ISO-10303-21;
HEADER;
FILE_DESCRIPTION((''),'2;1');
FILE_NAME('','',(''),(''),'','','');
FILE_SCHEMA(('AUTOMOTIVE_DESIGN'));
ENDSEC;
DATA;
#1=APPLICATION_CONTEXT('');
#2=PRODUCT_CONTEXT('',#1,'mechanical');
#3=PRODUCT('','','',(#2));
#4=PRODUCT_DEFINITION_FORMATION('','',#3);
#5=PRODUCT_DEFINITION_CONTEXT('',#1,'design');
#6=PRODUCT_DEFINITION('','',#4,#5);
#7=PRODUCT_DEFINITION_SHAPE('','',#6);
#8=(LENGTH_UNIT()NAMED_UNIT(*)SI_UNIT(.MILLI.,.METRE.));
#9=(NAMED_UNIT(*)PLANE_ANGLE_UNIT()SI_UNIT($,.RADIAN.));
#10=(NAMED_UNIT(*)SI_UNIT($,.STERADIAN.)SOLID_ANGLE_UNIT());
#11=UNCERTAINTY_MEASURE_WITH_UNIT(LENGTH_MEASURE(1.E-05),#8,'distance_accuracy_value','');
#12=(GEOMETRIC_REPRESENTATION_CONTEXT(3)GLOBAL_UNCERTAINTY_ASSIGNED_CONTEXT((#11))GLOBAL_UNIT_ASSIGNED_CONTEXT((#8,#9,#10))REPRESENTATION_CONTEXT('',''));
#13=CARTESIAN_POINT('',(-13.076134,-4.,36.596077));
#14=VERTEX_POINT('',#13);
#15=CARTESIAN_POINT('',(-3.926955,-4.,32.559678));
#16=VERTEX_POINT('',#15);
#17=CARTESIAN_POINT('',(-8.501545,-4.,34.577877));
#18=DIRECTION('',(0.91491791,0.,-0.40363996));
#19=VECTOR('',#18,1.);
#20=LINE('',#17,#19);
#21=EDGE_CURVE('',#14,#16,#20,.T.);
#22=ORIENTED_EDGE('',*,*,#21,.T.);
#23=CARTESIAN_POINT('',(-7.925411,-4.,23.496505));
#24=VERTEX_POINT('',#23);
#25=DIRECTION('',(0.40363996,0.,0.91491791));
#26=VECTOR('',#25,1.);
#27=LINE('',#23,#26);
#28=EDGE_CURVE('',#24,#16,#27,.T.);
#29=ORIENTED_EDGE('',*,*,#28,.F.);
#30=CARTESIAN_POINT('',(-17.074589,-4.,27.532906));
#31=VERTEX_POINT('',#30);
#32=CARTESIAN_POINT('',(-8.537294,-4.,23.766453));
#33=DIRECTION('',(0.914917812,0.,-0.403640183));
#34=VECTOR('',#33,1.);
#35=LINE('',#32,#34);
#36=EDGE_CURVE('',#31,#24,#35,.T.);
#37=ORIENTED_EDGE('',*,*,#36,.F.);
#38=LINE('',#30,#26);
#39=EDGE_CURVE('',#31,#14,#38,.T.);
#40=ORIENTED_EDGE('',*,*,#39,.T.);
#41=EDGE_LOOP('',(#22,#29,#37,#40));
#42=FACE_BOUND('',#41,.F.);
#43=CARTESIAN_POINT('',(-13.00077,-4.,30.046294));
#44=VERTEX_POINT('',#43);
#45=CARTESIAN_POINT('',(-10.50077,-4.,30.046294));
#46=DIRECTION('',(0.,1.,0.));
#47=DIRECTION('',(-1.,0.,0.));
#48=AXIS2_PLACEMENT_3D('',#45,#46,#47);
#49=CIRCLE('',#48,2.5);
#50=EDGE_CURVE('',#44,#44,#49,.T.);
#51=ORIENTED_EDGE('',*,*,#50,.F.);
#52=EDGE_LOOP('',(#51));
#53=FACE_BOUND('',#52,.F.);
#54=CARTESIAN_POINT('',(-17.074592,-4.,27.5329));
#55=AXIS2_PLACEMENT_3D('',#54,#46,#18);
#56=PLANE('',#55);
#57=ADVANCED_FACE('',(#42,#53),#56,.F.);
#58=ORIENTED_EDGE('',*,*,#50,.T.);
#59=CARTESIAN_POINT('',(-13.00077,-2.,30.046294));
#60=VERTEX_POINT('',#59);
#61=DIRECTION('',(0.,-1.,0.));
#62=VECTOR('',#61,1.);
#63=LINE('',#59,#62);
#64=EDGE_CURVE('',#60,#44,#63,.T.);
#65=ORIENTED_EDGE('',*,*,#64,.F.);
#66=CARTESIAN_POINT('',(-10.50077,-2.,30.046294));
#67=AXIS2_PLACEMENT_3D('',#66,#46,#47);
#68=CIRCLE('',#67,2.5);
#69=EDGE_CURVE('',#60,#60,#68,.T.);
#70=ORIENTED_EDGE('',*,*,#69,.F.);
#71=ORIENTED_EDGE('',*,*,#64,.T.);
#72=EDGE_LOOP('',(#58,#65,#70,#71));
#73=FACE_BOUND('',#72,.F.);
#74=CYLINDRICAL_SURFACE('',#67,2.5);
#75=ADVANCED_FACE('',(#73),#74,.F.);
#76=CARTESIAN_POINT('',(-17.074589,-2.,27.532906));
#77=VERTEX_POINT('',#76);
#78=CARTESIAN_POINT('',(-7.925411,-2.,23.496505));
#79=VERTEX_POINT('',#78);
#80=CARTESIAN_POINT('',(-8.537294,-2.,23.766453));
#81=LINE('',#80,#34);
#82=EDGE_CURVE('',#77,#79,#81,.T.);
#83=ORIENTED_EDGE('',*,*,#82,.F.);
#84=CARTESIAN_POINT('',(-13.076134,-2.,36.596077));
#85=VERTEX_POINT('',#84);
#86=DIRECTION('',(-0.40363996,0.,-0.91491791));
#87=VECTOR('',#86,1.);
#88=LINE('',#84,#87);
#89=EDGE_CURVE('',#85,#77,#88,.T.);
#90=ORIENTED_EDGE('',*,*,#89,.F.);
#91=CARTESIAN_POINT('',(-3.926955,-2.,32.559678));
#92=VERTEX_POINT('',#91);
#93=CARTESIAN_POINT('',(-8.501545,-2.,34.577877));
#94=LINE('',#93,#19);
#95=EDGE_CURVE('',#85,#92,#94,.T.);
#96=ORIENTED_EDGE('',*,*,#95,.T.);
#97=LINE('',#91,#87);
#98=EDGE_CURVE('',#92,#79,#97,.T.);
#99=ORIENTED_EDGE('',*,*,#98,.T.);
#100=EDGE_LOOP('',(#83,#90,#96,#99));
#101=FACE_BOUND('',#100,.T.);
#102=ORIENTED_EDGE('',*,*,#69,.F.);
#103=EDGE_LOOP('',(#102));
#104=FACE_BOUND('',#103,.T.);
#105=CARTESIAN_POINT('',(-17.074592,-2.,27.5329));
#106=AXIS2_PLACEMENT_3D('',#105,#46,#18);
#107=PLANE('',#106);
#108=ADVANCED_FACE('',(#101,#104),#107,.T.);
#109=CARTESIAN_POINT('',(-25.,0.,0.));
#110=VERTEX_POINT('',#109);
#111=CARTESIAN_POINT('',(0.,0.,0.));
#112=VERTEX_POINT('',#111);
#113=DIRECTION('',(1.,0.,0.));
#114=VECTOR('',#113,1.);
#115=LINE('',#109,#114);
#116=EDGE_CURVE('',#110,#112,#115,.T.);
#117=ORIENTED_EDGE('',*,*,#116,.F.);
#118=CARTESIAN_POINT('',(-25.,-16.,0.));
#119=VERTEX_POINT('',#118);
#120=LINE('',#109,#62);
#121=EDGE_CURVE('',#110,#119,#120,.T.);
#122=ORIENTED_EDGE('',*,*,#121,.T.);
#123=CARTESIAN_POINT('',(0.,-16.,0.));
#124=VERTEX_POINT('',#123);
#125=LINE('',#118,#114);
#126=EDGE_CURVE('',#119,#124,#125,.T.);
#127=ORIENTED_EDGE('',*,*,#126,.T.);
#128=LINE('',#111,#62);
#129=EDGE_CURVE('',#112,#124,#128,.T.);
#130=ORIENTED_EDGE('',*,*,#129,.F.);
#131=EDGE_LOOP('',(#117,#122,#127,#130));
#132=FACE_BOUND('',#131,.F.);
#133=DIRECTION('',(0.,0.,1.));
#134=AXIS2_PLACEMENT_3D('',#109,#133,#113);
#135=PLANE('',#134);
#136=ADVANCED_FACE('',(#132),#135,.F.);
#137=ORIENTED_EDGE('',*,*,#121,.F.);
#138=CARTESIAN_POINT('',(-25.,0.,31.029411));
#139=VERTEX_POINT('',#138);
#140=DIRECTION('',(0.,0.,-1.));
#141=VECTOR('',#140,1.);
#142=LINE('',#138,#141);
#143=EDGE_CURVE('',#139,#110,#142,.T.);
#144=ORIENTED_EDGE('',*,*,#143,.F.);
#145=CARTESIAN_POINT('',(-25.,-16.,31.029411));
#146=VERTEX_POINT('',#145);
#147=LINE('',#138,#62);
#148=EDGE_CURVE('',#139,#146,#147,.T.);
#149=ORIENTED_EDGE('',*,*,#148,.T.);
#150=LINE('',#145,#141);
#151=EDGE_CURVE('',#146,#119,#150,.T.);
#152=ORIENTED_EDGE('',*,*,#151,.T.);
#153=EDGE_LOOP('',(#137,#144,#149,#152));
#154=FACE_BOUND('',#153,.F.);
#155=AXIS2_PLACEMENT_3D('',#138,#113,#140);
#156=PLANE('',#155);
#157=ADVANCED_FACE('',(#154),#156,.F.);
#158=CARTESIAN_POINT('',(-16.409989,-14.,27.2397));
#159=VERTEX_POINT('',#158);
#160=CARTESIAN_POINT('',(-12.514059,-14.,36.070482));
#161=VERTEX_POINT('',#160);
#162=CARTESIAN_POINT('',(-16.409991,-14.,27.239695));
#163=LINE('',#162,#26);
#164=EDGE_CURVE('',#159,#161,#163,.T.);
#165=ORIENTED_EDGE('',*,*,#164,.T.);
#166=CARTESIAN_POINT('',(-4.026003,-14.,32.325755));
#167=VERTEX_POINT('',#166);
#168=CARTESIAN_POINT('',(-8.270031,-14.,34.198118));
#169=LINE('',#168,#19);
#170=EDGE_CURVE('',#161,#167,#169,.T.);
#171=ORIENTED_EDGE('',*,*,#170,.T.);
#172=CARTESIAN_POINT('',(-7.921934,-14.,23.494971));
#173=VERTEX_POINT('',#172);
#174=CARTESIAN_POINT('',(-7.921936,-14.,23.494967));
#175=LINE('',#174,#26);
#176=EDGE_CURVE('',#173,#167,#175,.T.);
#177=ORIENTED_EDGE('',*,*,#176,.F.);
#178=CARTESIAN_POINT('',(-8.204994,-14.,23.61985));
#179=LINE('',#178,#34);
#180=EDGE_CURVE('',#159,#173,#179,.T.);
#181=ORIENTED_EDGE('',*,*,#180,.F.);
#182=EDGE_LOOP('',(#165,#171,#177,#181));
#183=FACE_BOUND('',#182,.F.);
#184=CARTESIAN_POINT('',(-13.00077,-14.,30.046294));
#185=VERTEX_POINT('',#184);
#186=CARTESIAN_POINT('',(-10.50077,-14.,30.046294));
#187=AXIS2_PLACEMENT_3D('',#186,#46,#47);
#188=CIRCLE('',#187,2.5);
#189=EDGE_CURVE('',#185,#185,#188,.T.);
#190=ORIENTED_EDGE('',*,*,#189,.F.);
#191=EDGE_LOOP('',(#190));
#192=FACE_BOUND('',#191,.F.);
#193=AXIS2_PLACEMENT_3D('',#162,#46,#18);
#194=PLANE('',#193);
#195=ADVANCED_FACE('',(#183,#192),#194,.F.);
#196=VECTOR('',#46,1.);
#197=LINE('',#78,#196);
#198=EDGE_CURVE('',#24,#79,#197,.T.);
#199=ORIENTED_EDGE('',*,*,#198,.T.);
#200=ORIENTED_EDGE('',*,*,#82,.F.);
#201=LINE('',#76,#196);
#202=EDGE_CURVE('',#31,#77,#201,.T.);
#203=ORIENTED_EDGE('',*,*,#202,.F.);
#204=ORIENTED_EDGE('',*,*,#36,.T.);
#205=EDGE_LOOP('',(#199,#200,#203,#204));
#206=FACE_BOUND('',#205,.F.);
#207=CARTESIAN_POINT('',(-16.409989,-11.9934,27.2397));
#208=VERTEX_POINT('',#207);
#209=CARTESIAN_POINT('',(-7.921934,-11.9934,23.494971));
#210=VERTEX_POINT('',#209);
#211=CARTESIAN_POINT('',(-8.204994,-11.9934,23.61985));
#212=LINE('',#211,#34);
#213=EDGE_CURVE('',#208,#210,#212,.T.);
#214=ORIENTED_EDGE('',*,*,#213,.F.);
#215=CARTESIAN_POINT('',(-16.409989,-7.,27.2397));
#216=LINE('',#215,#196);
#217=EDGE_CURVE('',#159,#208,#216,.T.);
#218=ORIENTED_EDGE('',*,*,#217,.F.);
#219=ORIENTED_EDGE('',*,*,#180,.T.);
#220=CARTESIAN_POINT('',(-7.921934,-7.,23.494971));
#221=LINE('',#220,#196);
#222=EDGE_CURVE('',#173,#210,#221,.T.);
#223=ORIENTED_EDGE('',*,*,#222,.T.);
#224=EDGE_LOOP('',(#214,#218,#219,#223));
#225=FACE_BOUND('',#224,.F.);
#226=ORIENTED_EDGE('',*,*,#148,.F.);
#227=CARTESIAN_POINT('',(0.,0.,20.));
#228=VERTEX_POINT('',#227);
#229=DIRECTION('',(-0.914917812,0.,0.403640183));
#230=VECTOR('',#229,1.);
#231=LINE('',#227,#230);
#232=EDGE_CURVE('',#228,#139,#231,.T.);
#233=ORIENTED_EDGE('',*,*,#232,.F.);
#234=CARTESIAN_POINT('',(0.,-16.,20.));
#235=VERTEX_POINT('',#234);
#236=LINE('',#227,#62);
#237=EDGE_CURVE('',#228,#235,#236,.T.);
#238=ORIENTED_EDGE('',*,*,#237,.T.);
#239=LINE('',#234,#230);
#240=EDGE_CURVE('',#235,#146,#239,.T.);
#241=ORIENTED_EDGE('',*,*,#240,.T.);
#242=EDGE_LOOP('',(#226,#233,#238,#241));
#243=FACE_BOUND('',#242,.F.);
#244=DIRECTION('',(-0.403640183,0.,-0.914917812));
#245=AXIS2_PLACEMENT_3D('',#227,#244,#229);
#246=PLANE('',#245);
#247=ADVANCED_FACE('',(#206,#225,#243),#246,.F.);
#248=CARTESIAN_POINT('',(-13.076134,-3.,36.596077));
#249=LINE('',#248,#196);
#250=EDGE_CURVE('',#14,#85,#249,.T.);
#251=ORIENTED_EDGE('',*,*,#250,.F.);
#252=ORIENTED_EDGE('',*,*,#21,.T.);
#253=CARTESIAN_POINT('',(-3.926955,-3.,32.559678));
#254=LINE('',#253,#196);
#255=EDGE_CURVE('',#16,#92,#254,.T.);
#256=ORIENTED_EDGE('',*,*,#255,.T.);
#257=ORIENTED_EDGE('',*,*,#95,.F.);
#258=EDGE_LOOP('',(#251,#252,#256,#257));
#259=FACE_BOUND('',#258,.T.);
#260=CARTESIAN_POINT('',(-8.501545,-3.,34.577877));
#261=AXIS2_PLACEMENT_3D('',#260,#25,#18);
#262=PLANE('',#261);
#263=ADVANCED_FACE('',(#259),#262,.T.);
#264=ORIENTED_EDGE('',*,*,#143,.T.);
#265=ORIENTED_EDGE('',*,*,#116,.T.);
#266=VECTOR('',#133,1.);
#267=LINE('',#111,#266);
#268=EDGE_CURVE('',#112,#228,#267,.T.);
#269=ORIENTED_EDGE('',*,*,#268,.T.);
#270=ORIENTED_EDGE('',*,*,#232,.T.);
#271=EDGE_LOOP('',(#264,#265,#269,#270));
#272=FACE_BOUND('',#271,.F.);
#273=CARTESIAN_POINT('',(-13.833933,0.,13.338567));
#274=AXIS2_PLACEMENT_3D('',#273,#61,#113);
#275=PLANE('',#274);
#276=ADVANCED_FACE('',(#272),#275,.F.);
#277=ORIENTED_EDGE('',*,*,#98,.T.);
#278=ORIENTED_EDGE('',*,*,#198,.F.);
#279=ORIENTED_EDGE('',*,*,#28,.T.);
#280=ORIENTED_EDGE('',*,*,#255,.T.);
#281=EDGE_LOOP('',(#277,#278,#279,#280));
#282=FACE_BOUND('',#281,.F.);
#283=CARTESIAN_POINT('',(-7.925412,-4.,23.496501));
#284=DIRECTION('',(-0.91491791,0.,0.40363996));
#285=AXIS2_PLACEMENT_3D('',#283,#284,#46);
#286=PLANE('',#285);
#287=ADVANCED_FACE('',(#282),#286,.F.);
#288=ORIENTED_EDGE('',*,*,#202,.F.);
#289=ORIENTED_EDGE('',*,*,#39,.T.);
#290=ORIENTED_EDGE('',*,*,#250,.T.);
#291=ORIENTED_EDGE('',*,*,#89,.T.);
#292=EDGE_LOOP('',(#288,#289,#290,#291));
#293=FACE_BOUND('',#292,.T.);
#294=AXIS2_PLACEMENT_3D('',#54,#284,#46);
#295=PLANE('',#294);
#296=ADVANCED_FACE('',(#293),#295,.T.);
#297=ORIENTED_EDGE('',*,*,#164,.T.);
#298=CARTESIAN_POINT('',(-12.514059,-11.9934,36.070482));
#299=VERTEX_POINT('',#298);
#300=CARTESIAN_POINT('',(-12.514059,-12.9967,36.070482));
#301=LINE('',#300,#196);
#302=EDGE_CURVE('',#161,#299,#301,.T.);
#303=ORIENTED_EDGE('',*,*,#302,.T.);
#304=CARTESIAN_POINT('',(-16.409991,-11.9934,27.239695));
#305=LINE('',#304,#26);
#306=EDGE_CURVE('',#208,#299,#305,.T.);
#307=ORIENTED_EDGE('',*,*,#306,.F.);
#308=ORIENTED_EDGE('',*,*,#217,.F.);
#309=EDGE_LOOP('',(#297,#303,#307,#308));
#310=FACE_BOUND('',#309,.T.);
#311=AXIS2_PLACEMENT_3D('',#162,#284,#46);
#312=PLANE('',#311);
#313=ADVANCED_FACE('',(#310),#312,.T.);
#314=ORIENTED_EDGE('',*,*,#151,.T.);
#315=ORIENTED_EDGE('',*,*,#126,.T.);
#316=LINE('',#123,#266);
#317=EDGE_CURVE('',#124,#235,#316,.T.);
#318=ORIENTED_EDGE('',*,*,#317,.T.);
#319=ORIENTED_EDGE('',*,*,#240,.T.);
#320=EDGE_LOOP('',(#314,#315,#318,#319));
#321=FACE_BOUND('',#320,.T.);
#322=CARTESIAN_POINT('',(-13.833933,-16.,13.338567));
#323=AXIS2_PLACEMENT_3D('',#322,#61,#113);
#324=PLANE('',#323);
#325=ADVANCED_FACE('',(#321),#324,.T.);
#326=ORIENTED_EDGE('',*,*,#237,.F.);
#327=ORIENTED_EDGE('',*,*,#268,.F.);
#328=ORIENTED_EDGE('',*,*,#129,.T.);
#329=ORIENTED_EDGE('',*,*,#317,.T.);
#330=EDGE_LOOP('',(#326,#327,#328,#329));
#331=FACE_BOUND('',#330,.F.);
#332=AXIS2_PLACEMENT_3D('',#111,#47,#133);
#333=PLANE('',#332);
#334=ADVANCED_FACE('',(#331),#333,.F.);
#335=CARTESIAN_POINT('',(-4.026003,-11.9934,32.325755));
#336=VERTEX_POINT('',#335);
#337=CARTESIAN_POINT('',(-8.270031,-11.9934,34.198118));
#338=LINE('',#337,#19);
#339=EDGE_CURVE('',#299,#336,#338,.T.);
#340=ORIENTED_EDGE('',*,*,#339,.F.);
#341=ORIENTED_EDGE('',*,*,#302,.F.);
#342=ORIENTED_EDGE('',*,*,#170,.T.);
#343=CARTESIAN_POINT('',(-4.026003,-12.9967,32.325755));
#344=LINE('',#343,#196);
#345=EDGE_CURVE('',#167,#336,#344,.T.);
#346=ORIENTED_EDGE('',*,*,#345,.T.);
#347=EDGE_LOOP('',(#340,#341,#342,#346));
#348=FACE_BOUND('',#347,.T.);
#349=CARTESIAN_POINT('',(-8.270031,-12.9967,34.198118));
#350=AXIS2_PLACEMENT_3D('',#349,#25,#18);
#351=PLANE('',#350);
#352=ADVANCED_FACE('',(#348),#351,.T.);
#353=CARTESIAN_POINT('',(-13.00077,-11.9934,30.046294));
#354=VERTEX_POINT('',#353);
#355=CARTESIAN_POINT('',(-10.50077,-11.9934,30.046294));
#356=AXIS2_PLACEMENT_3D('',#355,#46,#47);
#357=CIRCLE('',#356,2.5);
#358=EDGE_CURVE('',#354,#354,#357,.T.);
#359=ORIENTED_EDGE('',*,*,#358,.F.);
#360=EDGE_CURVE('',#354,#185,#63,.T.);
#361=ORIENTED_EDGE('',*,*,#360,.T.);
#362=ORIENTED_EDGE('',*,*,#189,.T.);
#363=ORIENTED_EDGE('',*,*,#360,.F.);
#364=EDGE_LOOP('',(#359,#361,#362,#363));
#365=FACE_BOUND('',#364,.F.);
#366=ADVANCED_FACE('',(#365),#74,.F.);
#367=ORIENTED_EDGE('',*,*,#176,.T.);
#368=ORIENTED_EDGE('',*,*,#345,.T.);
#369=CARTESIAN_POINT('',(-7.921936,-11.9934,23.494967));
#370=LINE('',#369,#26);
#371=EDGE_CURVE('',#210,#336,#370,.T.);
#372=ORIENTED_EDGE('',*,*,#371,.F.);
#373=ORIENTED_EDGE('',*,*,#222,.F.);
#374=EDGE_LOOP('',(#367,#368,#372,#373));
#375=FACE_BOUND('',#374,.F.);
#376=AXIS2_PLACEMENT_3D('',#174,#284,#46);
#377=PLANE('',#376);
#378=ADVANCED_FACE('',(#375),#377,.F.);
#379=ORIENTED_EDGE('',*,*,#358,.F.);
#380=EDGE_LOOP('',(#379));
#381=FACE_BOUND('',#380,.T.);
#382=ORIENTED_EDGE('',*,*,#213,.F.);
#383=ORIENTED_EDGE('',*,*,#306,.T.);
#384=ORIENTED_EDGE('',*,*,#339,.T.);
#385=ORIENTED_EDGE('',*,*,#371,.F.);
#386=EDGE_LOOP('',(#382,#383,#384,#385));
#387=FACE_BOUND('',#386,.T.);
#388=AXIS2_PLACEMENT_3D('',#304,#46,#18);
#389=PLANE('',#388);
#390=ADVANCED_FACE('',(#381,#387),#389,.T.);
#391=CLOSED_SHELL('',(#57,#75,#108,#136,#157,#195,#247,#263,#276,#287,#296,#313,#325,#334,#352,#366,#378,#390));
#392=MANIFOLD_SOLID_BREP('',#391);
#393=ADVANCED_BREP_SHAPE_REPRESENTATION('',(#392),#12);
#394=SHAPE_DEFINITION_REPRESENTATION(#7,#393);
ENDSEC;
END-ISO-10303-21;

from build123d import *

# Parameters (mm, degrees)
F1_DEPTH = 16
F2_W     = 10
F2_H     = 2
F3_DEPTH = 9.906
F2_W_2   = 9.277396
F2_H_2   = 2.0066
F4_DEPTH = 9.652
F5_R     = 2.5
F6_DEPTH = 17.5006


with BuildPart() as f1:
    # F0 (on Front) → F1 (new body)
    with BuildSketch(Plane.XZ):
        Polygon((-25, 0), (0, 0), (0, 20), (-25, 31.029411), align=None)
    extrude(amount=F1_DEPTH)

    # F2 (on face) → F3 (join)
    with BuildSketch(Plane(origin=(7.385952, 0, 16.741492), x_dir=(0.914918, 0, -0.40364), z_dir=(0.40364, 0, 0.914918))):
        with Locations((-21.735233, -3)):
            Rectangle(F2_W, F2_H)
    extrude(amount=F3_DEPTH)

    # F2 (on face) → F4 (join)
    with BuildSketch(Plane(origin=(7.385952, 0, 16.741492), x_dir=(0.914918, 0, -0.40364), z_dir=(0.40364, 0, 0.914918))):
        with Locations((-21.735233, -3)):
            Rectangle(F2_W, F2_H)
        with Locations((-21.370131, -12.9967)):
            Rectangle(F2_W_2, F2_H_2)
    extrude(amount=F4_DEPTH)

    # F5 (on face) → F6 (cut)
    with BuildSketch(Plane(origin=(0, -2, 0), x_dir=(-1, 0, 0), z_dir=(0, 1, 0))):
        with Locations((10.50077, 30.046294)):
            Circle(F5_R)
    extrude(amount=-F6_DEPTH, mode=Mode.SUBTRACT)


solid = f1.part
